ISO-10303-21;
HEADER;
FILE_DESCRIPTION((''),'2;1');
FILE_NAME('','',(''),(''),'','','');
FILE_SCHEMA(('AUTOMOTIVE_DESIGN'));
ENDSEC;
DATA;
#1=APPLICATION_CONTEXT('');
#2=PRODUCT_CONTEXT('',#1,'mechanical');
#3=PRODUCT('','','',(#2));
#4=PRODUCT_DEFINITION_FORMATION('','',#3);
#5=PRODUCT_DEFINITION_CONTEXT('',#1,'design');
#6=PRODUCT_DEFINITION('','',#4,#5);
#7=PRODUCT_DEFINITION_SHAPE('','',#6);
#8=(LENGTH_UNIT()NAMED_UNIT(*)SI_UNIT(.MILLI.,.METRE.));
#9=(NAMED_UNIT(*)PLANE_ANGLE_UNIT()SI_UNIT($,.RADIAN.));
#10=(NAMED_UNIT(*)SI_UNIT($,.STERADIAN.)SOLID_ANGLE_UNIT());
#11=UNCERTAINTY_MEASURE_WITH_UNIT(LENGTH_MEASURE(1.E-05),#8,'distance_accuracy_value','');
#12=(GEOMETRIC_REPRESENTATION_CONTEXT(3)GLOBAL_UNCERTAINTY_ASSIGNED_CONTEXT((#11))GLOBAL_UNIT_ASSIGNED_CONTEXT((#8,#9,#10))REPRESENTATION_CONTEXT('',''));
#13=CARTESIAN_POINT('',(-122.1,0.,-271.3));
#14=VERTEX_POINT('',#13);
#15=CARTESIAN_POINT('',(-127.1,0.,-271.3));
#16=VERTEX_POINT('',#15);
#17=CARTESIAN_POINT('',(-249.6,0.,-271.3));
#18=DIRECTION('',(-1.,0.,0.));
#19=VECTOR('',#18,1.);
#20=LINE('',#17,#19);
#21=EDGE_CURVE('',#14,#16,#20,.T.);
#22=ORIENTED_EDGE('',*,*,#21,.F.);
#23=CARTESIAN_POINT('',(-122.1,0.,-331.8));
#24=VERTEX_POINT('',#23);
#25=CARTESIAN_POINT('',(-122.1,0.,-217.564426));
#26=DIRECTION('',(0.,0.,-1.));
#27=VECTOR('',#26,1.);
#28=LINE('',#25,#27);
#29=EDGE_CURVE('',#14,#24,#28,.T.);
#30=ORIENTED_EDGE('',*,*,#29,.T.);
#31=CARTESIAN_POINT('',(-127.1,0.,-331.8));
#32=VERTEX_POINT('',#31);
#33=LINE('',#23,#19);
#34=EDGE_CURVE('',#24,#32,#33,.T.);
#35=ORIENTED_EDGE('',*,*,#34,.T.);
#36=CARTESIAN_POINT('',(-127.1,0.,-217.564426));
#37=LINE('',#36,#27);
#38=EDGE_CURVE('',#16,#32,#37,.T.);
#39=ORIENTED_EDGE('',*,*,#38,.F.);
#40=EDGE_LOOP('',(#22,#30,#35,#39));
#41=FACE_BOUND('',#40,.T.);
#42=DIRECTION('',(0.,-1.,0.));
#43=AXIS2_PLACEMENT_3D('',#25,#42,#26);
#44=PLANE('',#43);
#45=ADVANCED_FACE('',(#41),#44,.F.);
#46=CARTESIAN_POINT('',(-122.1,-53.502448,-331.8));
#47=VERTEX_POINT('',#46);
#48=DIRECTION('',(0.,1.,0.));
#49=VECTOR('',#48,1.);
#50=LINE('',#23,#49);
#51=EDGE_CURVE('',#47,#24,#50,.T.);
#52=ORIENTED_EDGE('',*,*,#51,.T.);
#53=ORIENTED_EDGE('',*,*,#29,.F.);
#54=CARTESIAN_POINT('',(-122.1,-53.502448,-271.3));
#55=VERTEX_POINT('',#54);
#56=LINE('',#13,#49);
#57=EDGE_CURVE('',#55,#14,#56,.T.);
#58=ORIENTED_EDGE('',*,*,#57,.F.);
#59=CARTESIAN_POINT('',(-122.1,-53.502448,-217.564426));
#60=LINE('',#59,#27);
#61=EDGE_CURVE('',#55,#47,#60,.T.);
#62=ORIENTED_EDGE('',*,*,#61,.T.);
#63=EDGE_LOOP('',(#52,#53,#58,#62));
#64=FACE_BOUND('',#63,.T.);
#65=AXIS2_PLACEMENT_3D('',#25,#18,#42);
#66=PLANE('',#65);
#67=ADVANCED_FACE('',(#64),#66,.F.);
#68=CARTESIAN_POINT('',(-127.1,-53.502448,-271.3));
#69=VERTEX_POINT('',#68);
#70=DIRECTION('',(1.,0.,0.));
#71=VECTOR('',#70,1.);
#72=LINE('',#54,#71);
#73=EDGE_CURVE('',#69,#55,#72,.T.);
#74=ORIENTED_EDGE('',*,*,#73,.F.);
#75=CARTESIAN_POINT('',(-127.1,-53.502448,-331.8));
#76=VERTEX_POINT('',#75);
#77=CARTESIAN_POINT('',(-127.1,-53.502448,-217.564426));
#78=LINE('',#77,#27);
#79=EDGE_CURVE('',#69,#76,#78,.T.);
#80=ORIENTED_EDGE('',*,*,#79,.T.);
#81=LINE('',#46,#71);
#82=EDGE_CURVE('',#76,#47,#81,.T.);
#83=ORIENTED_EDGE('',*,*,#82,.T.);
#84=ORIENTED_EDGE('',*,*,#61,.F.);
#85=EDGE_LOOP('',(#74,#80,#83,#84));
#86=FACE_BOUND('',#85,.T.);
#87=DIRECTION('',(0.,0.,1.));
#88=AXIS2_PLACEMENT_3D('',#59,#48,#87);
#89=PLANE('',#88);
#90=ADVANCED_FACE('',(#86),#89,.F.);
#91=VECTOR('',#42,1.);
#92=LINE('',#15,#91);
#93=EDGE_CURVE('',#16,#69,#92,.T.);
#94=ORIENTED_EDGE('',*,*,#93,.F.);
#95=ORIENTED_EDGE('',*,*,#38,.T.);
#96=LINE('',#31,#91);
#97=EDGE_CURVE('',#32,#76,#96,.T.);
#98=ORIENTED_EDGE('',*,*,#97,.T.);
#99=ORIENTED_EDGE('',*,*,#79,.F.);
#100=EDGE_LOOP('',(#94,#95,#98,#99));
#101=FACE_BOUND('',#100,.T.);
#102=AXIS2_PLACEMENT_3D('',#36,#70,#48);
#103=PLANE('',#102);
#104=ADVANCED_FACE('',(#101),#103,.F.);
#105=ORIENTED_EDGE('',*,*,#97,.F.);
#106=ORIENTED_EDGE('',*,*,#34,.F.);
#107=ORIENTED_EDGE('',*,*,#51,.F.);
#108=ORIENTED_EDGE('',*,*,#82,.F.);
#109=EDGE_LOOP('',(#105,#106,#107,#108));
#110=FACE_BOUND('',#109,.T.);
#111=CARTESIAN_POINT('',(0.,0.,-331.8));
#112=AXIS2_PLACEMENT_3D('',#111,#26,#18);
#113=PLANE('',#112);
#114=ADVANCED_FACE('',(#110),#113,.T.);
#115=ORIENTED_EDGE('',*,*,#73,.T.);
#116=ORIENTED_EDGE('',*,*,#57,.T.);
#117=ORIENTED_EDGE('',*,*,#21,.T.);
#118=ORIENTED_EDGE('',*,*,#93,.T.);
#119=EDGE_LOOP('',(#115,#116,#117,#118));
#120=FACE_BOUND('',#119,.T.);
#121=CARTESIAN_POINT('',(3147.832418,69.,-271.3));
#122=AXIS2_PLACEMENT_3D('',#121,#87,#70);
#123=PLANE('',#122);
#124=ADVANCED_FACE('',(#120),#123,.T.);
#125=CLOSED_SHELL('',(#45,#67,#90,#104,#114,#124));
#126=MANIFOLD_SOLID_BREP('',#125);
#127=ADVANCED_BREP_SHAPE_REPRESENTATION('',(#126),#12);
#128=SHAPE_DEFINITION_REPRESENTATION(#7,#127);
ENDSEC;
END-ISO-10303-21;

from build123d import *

# Parameters (mm, degrees)
SKETCH2_W           = 5
SKETCH2_H           = 53.502447605
BOSS_EXTRUDE1_DEPTH = 60.5


with BuildPart() as part:
    # Sketch2 → Boss-Extrude1 (new body)
    with BuildSketch(Plane.XY.offset(-331.8)):
        with Locations((-124.6, -26.751223803)):
            Rectangle(SKETCH2_W, SKETCH2_H)
    extrude(amount=BOSS_EXTRUDE1_DEPTH)


solid = part.part
